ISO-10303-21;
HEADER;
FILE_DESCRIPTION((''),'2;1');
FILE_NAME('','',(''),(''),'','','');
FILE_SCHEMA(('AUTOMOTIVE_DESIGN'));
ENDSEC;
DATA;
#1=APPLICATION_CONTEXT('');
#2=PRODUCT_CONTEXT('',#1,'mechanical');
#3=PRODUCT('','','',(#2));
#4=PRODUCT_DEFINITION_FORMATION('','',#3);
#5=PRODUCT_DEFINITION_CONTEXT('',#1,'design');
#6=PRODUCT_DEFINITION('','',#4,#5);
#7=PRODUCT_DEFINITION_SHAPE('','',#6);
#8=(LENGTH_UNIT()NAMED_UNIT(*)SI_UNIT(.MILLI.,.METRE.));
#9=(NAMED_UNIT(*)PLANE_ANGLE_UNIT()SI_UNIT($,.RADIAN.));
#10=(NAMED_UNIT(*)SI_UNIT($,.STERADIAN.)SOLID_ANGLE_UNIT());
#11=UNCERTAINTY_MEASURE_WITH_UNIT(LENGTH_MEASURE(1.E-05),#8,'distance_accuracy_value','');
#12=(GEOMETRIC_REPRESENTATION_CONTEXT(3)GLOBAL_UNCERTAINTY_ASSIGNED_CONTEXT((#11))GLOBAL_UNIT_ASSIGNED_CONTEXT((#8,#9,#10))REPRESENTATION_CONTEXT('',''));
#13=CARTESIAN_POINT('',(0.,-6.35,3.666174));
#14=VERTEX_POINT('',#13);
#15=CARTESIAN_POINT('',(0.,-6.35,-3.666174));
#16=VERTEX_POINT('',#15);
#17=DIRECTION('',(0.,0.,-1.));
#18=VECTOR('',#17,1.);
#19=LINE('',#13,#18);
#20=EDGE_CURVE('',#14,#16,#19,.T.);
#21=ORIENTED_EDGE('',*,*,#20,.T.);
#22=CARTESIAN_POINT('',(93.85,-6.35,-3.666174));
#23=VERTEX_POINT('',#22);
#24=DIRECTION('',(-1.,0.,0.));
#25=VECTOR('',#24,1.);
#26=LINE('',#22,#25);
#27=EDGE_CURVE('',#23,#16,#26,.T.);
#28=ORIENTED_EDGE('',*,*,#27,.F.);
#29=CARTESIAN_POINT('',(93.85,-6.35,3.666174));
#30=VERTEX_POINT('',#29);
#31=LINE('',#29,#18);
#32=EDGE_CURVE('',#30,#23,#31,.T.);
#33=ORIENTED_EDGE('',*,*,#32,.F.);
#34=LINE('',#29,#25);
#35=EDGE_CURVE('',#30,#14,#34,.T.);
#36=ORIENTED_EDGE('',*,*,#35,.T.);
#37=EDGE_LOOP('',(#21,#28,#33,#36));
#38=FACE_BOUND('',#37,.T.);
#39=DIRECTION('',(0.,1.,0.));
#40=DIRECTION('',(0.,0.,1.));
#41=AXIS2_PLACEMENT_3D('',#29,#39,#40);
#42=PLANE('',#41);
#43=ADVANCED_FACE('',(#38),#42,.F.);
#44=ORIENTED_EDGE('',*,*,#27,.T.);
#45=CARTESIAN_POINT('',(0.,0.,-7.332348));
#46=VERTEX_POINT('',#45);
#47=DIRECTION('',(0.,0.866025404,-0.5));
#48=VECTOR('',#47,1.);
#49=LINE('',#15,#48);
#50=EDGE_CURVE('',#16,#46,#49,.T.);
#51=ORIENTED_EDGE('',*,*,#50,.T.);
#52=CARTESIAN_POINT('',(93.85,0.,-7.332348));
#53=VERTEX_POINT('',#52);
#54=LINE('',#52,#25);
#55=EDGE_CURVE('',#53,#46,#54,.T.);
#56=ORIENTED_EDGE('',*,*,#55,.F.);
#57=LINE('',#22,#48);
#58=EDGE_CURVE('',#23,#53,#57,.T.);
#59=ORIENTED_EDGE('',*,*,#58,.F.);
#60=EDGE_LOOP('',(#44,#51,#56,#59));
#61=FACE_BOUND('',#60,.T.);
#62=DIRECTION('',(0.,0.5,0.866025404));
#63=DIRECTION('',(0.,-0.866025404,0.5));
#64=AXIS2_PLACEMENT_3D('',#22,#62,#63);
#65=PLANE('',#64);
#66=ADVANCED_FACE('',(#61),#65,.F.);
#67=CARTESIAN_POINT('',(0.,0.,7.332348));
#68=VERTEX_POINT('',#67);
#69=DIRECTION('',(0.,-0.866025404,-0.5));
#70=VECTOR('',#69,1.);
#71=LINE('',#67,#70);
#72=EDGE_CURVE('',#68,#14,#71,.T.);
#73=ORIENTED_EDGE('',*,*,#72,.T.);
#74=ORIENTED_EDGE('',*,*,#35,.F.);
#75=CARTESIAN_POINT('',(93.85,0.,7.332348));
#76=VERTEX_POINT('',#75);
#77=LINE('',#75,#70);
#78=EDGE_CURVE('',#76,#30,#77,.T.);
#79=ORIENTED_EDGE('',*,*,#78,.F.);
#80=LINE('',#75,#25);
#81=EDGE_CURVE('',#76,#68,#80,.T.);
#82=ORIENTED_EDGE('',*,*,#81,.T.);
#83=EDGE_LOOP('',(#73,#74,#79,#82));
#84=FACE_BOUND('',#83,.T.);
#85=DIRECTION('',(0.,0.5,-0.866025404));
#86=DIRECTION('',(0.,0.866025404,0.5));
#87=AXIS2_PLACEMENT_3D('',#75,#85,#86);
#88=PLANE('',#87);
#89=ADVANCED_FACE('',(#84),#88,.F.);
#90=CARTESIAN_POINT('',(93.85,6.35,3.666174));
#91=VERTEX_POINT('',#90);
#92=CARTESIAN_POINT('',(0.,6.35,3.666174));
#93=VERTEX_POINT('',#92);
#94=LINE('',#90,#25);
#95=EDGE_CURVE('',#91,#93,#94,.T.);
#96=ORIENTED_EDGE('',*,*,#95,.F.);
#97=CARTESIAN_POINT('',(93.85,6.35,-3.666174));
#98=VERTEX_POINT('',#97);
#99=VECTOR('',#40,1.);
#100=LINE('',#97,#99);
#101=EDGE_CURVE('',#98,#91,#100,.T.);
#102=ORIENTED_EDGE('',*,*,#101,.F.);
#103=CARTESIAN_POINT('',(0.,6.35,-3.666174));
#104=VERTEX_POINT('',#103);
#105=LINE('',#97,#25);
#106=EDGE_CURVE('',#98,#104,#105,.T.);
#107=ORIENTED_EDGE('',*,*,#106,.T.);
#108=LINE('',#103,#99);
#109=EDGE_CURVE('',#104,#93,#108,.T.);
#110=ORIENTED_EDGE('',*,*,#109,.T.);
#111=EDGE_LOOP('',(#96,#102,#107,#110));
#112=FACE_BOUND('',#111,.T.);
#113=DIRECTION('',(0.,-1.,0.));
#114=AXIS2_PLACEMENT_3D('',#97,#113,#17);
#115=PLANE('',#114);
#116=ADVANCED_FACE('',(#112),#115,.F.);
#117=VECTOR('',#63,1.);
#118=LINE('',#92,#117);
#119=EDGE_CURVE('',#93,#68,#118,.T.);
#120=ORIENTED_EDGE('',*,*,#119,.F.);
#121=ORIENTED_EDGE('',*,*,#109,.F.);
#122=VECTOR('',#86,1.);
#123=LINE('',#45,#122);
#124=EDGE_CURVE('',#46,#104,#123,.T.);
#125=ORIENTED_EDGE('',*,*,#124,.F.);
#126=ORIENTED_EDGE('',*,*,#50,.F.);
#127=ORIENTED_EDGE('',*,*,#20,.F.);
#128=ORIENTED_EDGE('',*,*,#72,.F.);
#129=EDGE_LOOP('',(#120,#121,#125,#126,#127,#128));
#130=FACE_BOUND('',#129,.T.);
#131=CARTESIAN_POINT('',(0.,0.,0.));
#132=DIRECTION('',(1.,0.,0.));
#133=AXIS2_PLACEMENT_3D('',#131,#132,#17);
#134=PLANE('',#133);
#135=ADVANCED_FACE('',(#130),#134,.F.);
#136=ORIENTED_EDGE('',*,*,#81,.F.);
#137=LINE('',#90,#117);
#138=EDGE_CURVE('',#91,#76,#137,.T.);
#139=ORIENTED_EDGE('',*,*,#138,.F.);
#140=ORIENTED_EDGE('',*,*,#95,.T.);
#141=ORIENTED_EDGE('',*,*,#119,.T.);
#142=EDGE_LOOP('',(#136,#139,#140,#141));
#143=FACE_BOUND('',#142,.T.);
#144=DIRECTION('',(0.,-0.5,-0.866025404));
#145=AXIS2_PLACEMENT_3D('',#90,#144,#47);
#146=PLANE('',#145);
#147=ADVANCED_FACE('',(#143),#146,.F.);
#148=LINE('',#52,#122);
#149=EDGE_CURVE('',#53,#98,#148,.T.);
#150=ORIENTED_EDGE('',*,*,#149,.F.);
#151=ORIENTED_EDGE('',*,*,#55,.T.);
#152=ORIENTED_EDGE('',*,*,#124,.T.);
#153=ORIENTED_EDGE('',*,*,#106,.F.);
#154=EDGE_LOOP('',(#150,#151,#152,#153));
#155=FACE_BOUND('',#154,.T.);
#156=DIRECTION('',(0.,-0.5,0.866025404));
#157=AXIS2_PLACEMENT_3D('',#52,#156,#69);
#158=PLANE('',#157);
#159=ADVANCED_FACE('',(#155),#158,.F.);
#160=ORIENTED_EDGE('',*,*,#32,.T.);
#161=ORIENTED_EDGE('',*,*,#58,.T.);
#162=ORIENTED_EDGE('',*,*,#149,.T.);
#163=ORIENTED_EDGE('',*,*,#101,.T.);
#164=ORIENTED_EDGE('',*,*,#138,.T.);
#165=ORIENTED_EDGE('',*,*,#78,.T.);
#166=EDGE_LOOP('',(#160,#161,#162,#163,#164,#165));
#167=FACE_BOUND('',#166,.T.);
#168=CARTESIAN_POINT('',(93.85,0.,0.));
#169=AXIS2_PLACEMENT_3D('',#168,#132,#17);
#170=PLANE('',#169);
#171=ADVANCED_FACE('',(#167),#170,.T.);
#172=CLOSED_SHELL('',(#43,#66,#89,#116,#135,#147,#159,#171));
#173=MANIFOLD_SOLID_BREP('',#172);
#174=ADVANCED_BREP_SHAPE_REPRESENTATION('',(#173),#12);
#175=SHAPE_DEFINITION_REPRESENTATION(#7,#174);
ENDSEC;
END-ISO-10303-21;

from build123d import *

# Parameters (mm, degrees)
BOSS_EXTRUDE1_DEPTH = 93.85


with BuildPart() as part:
    # Sketch1 → Boss-Extrude1 (new body)
    with BuildSketch(Plane(origin=(0, 0, 0), x_dir=(0, 0, -1), z_dir=(1, 0, 0))):
        Polygon((7.332348419, 0), (3.666174209, 6.35), (-3.666174209, 6.35), (-7.332348419, 0), (-3.666174209, -6.35), (3.666174209, -6.35), align=None)
    extrude(amount=BOSS_EXTRUDE1_DEPTH)


solid = part.part
